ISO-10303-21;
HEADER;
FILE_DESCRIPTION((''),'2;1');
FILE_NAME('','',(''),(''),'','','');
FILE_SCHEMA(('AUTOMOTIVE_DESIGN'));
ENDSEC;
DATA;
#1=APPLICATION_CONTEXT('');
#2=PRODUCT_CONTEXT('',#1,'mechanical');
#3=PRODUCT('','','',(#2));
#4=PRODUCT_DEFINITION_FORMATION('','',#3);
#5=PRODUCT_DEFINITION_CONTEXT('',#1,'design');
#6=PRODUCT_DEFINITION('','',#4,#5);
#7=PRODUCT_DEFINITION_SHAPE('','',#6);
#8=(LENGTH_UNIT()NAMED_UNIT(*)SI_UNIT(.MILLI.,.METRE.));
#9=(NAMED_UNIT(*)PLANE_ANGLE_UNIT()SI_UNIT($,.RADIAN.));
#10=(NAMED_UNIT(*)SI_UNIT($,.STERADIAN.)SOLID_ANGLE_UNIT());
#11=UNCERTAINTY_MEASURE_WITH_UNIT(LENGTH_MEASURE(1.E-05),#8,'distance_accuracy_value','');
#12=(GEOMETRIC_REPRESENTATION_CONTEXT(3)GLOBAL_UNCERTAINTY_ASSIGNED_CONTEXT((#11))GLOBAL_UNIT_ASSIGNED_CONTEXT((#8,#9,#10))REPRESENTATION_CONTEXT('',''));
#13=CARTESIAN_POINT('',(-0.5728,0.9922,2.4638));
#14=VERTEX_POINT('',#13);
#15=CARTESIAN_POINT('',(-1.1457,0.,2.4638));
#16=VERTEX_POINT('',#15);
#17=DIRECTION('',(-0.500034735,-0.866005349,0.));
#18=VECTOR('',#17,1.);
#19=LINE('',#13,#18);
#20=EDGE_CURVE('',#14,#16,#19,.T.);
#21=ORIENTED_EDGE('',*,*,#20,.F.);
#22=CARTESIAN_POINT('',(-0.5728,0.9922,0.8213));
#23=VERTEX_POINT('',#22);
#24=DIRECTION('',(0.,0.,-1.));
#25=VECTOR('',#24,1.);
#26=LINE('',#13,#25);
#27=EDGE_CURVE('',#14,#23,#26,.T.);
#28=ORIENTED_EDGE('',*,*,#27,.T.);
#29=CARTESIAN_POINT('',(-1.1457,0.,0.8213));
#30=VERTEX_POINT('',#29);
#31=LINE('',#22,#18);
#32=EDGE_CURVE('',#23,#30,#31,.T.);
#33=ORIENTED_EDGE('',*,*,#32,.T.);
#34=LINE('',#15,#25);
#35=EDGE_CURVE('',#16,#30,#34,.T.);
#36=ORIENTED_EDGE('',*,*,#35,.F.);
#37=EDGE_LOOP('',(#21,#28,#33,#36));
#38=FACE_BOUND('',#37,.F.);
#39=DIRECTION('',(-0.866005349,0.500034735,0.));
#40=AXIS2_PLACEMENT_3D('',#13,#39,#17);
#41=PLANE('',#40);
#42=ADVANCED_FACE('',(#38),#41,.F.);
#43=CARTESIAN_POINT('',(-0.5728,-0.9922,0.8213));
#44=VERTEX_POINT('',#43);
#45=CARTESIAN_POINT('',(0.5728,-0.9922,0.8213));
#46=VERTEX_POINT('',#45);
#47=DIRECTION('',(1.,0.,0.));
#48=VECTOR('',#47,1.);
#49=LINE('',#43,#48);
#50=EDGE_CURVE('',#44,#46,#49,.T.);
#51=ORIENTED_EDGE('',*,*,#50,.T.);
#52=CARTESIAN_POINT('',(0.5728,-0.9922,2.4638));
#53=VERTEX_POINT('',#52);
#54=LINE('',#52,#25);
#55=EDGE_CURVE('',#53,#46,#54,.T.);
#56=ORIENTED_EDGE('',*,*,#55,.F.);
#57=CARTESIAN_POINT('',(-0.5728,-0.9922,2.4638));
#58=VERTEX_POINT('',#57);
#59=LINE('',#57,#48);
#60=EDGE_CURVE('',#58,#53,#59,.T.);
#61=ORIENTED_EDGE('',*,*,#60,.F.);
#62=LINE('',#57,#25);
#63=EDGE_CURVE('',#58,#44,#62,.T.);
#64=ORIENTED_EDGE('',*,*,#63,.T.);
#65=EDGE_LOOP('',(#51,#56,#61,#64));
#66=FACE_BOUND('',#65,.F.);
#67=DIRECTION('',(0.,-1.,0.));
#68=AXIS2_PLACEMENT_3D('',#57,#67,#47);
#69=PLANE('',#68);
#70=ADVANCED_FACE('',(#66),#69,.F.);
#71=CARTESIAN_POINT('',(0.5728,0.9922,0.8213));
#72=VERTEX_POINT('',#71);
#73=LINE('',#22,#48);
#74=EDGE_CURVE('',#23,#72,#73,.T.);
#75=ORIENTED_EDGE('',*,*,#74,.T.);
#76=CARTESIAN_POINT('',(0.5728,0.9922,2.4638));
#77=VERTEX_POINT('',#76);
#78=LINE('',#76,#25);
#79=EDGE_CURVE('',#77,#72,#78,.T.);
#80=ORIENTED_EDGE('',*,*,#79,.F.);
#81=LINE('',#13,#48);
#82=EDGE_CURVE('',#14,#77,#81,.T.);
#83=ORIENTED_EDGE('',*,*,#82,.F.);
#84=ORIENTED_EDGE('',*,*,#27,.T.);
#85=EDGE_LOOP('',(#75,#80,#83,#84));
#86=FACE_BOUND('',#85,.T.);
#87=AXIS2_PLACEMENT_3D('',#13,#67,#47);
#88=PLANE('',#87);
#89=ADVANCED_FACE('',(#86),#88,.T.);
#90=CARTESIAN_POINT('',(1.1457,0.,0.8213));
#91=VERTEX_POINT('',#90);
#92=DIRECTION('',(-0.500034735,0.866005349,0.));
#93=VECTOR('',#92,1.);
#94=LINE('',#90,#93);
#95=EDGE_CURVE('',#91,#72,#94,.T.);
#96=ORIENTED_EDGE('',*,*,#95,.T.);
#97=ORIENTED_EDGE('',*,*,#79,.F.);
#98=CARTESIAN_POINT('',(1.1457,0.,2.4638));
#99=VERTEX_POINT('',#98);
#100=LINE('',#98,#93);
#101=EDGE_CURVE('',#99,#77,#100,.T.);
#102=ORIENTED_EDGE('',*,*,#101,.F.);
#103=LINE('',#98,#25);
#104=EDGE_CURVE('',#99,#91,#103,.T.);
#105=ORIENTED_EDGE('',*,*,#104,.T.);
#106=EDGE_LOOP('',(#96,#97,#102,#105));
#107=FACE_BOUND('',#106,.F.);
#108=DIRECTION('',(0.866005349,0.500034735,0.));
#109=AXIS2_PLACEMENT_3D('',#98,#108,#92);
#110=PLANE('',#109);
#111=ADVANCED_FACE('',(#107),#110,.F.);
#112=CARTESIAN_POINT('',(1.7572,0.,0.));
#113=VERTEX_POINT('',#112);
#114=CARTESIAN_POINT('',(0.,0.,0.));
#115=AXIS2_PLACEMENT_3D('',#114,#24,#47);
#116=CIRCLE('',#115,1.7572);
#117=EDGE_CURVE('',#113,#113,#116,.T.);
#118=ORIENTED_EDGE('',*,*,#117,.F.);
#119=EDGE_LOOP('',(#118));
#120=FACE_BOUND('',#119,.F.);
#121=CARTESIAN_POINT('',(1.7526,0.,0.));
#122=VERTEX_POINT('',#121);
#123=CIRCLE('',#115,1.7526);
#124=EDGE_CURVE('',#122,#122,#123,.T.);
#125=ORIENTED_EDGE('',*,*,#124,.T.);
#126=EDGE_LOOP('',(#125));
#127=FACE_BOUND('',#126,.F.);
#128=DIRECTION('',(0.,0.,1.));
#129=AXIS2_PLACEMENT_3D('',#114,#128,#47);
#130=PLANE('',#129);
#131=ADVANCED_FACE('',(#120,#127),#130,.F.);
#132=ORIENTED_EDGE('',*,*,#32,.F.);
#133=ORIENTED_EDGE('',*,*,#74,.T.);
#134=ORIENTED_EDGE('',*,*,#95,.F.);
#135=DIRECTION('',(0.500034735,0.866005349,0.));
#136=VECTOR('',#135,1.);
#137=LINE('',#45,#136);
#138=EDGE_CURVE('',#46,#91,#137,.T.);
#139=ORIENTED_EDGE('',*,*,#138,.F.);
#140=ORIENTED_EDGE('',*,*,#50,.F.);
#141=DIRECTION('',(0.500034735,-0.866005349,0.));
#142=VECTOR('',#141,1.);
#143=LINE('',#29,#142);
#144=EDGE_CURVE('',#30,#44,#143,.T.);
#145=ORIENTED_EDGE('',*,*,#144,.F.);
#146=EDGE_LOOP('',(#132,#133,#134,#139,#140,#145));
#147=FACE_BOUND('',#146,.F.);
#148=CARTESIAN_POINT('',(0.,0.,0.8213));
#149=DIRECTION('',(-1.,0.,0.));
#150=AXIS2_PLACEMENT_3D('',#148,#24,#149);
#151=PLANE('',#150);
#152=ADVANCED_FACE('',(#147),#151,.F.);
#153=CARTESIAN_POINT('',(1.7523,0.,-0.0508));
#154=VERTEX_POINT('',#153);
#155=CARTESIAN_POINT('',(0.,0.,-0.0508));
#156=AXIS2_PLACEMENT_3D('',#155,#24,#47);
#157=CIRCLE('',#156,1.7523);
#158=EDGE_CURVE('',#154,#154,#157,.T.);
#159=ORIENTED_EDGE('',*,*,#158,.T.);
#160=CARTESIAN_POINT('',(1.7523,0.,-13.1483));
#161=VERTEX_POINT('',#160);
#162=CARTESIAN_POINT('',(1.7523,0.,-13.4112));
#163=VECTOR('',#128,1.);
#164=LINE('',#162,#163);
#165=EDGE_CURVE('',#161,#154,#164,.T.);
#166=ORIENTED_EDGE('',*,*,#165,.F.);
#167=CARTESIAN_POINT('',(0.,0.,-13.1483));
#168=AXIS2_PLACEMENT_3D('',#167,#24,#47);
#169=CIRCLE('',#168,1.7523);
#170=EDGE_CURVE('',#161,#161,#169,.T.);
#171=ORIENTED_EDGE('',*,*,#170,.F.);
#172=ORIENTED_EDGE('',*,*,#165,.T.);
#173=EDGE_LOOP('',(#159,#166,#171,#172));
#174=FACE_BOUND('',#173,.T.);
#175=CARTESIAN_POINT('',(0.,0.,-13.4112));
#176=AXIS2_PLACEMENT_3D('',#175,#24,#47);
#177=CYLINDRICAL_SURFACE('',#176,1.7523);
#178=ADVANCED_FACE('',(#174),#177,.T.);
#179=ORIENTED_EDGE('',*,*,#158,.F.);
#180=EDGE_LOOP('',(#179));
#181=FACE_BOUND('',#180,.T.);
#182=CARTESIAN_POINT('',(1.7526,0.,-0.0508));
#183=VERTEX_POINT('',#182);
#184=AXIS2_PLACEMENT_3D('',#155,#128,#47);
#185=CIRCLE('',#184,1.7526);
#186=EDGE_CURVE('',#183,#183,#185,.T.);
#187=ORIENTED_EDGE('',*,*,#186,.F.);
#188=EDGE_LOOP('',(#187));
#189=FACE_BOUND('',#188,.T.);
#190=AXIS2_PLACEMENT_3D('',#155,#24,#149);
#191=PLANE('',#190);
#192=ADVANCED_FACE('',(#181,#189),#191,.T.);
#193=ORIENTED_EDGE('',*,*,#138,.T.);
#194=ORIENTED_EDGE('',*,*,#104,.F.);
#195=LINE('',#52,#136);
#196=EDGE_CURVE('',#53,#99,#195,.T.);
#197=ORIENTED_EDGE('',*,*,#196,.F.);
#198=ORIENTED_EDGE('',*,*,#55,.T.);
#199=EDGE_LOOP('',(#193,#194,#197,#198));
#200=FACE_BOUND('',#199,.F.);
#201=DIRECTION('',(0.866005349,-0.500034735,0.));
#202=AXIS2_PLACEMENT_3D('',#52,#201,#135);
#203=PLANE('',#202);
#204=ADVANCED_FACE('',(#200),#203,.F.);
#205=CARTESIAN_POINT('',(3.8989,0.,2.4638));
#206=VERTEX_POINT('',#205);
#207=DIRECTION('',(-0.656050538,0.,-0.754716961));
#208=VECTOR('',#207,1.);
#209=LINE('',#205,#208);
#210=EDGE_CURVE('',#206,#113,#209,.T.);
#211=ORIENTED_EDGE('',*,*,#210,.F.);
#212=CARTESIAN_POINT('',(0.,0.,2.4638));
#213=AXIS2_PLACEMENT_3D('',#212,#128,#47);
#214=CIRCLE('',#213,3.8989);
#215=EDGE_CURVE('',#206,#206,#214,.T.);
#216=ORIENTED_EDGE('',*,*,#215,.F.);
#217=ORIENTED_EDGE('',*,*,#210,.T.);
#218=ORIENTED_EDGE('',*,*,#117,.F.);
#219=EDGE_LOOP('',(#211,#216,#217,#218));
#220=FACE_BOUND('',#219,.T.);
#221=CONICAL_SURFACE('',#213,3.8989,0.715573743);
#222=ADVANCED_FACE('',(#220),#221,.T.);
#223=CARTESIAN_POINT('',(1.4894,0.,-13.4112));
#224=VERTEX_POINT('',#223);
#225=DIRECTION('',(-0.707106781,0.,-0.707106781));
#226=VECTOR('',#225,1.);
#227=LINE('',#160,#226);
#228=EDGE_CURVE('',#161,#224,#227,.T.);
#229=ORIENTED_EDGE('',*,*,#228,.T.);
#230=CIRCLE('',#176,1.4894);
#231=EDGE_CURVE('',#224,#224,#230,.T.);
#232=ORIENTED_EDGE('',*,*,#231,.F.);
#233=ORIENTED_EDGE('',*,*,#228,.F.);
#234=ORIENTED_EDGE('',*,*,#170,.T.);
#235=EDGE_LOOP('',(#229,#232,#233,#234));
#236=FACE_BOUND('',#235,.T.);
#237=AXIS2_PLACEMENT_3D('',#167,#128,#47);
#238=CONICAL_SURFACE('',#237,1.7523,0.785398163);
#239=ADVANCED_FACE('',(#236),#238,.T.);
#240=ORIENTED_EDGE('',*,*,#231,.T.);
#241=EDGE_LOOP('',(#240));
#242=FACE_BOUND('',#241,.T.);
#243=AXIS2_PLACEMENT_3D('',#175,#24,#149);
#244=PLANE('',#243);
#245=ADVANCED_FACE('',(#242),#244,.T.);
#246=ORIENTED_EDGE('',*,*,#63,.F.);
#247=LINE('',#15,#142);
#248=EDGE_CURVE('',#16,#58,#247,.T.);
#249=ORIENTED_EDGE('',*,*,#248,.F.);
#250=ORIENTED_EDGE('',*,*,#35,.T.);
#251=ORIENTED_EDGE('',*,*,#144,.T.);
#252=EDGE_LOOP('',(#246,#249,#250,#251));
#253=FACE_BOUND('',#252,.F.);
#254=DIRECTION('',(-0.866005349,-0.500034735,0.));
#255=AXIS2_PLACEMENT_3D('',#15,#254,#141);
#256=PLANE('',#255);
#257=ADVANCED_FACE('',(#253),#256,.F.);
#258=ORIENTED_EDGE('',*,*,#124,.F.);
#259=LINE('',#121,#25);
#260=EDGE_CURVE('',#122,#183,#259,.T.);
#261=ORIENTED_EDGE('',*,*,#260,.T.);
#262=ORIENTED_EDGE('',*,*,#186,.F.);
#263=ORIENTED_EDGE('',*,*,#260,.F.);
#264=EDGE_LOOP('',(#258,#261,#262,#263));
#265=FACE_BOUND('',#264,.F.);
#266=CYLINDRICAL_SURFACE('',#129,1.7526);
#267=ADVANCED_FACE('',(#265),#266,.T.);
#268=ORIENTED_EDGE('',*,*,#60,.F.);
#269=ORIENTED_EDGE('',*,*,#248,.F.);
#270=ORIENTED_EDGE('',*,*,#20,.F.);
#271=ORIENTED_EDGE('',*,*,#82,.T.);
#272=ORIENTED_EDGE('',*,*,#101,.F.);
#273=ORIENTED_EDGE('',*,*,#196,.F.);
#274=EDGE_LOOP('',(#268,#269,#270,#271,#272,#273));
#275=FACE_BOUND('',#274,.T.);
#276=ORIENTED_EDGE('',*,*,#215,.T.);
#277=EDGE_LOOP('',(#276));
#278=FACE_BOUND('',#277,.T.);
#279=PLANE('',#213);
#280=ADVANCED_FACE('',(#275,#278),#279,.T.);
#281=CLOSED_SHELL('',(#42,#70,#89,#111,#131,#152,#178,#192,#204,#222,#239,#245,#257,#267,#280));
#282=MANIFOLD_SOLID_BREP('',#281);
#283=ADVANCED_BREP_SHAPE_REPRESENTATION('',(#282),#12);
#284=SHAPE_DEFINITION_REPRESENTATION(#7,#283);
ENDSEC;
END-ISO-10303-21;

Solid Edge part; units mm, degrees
sketch "Sketch1" plane through (0, 0, 0) normal (0, 0, 1) x (1, 0, 0)
  circle A0 centre (0, 0) radius 3.8989
  dimension "D1" = 7.7978
extrude "Protrusion1" add sketch "Sketch1" along normal blind 2.4638
sketch "Sketch2" plane through (0, 0, 0) normal (0, 0, -1) x (1, 0, 0)
  circle A0 centre (0, 0) radius 1.7526
extrude "Protrusion2" add sketch "Sketch2" along normal blind 13.4112
sketch "Sketch3" plane through (0, 0, -13.4112) normal (0, 0, -1) x (1, 0, 0)
  circle A0 centre (0, 0) radius 1.7523
extrude "Cutout1" cut sketch "Sketch3" against normal blind 13.3604 flip side to cut
chamfer "Chamfer_1" distance 0.2629 angle 45 1 edges at (-1.7523, 0, -13.4112)
sketch "Sketch4" plane through (0, 0, 2.4638) normal (0, 0, 1) x (1, 0, 0)
  line L0 (-0.5728, 0.9922) -> (0.5728, 0.9922)
  line L1 (1.1457, 0) -> (0.5728, 0.9922)
  line L2 (0.5728, -0.9922) -> (1.1457, 0)
  line L3 (-0.5728, -0.9922) -> (0.5728, -0.9922)
  line L4 (-1.1457, 0) -> (-0.5728, -0.9922)
  line L5 (-0.5728, 0.9922) -> (-1.1457, 0)
  dimension "D1" = 1.9844
extrude "Cutout2" cut sketch "Sketch4" against normal blind 1.6425
sketch "Sketch5" plane through (0, 0, 0) normal (0, -1, 0) x (1, 0, 0)
  line L0 (3.8989, 2.4638) -> (1.7572, 0)
  line L1 (1.7572, 0) -> (3.8989, 0)
  line L2 (3.8989, 0) -> (3.8989, 2.4638)
revolve "RevolvedCutout1" cut sketch "Sketch5" angle 360 about axis through (0, 0, 14.0017) along (0, 0, -1)
properties part number "24101286"
